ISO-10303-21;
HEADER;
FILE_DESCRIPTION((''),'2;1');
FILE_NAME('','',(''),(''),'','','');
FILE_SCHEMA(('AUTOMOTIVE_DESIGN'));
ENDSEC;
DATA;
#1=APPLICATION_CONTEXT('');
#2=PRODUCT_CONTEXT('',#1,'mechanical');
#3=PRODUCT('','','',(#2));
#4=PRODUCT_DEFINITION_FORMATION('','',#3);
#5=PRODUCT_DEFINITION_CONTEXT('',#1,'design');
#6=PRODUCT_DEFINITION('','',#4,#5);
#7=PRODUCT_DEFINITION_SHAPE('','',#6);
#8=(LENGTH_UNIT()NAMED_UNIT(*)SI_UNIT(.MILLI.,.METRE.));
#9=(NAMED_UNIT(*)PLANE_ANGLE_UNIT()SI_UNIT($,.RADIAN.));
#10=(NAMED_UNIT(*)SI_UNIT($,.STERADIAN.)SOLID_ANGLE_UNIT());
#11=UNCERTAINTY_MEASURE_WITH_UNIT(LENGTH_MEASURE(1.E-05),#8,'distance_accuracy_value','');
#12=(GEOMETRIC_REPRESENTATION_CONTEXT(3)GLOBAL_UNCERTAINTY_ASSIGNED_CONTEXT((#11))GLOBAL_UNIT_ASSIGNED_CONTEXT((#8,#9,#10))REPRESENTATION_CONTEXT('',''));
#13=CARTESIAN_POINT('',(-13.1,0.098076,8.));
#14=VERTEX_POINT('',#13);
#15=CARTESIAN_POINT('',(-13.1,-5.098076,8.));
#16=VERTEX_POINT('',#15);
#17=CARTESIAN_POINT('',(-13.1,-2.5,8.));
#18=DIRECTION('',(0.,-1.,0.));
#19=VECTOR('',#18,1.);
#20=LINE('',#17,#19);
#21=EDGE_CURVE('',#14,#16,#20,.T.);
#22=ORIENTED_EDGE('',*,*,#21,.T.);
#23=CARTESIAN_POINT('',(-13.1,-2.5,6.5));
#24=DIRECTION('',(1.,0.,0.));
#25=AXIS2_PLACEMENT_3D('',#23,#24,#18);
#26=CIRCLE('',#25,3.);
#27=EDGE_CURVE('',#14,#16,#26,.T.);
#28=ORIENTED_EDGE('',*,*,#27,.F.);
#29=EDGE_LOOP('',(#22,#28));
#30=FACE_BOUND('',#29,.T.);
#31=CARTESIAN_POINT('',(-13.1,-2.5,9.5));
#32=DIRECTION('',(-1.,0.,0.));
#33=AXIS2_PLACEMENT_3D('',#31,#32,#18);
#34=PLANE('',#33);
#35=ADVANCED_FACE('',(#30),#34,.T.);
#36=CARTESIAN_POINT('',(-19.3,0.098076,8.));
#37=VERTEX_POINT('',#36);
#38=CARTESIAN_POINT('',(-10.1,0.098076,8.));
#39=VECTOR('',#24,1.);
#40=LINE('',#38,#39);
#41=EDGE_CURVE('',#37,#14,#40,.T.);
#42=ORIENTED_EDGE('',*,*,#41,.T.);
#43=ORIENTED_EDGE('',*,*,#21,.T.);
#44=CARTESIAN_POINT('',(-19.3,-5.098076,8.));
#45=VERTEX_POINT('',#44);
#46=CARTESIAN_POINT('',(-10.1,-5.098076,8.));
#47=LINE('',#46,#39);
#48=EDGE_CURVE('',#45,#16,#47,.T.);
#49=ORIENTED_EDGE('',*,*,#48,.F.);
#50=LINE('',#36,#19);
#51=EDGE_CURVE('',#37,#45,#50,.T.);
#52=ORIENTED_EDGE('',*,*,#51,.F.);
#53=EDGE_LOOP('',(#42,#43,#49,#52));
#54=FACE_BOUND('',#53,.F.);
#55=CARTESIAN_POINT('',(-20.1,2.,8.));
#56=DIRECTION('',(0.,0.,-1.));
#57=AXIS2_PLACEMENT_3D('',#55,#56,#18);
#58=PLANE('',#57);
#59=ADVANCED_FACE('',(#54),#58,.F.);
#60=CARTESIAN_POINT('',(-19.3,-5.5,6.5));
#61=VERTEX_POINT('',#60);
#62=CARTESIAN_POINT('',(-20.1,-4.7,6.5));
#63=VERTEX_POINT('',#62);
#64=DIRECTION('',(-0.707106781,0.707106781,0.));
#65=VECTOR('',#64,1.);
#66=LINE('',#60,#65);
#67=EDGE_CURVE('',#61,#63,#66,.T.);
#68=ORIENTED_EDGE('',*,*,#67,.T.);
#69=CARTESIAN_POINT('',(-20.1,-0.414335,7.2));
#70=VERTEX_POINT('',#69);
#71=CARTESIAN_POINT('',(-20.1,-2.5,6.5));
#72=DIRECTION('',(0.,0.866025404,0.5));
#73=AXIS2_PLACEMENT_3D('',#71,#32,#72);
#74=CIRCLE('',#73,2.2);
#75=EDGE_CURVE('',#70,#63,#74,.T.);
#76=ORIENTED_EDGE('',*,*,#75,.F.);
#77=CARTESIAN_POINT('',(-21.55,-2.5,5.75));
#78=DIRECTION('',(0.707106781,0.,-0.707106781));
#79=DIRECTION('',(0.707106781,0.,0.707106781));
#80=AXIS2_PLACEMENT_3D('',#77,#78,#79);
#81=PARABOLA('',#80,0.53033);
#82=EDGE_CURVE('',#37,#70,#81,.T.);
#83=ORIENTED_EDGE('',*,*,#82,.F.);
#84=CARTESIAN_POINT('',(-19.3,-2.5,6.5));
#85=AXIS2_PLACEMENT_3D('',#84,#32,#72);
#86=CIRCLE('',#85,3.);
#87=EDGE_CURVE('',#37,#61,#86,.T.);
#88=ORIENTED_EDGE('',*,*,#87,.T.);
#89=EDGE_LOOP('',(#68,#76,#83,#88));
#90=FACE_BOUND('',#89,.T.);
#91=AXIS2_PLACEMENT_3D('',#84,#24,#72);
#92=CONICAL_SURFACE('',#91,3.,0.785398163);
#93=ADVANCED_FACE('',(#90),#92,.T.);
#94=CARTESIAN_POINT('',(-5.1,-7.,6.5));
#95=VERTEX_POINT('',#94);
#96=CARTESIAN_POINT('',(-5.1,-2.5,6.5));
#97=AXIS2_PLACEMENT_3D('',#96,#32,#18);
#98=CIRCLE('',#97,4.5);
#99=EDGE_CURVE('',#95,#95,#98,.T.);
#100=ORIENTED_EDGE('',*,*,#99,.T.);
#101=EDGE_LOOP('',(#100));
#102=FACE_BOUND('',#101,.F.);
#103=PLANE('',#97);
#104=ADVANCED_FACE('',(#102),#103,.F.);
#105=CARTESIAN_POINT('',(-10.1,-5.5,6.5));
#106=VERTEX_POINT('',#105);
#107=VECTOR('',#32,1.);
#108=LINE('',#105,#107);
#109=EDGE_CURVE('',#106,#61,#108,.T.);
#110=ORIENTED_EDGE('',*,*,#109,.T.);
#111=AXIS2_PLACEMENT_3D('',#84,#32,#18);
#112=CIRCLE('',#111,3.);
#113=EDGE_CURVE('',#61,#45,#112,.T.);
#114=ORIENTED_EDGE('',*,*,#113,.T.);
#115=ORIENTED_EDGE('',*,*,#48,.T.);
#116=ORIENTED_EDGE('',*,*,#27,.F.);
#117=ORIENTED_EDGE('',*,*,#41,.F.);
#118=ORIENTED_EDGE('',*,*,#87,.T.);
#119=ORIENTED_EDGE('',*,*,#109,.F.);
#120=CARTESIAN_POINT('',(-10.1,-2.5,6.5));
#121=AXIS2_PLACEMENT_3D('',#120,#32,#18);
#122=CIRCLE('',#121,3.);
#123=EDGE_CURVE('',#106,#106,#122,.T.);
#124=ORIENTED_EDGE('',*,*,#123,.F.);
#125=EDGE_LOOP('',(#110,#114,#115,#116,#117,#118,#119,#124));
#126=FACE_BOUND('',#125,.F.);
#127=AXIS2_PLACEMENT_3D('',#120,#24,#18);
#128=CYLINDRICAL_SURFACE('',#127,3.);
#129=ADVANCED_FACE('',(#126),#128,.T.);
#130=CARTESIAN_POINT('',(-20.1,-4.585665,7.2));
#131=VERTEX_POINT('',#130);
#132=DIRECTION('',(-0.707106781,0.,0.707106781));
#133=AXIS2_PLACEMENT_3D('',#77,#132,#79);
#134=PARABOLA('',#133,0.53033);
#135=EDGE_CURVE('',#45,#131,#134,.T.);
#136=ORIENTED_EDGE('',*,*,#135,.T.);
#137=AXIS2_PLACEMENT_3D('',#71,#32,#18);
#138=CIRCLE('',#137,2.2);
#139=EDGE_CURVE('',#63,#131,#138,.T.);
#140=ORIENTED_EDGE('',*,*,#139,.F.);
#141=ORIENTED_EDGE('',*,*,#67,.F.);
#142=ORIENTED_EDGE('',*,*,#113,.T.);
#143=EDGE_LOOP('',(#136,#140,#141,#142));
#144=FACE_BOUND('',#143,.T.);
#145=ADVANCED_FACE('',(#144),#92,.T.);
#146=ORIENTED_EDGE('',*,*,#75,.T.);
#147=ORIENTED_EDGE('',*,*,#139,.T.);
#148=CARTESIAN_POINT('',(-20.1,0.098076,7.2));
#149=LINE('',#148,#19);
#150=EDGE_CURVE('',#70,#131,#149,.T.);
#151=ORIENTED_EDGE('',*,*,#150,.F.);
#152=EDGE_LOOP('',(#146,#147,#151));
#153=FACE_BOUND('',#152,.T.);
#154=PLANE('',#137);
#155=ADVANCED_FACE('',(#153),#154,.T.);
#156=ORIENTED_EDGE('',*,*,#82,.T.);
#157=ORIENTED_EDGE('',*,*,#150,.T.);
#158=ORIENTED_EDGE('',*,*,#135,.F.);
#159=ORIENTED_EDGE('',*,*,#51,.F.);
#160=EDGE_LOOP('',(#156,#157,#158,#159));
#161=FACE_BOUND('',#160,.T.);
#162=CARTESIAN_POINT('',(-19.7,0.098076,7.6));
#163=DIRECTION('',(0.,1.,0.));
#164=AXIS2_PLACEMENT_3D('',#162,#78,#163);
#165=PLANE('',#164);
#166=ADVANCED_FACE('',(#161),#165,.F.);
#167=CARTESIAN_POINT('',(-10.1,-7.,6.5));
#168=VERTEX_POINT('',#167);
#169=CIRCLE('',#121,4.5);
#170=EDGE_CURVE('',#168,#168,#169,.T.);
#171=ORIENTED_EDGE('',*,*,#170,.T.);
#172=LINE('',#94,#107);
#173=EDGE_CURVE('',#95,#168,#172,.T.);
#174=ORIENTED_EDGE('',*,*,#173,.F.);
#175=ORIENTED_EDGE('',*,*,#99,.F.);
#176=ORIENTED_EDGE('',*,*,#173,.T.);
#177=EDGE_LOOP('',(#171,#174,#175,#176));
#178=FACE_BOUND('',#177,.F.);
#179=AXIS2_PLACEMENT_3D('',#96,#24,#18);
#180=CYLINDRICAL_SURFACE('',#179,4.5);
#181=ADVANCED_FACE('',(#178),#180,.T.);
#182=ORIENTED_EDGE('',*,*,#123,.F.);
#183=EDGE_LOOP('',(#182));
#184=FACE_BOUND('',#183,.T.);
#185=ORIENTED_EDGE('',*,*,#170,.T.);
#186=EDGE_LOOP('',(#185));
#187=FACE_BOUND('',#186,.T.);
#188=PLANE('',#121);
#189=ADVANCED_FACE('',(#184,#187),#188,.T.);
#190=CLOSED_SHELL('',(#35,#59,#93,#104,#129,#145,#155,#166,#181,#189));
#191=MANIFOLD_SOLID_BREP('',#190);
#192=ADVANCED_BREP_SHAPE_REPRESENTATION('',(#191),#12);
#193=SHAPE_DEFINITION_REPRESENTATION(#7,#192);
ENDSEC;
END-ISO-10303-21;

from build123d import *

# Parameters (mm, degrees)
SKETCH001_R  = 4.5
PAD001_DEPTH = 5
SKETCH002_R  = 3
PAD002_DEPTH = 10
SKETCH003_W  = 9
SKETCH003_H  = 3
POCKET_DEPTH = 7
CHAMFER_SIZE = 0.8


with BuildPart() as part:
    # Sketch001 (on Face1 of ShapeBinder) → Pad001 (new body)
    with BuildSketch(Plane(origin=(-5.1, 0, 0), x_dir=(0, -1, 0), z_dir=(-1, 0, 0))):
        with Locations((2.5, 6.5)):
            Circle(SKETCH001_R)
    extrude(amount=PAD001_DEPTH)

    # Sketch002 (on Face3 of Pad001) → Pad002 (join)
    with BuildSketch(Plane(origin=(-10.1, 0, 0), x_dir=(0, -1, 0), z_dir=(-1, 0, 0))):
        with Locations((2.5, 6.5)):
            Circle(SKETCH002_R)
    extrude(amount=PAD002_DEPTH)

    # Sketch003 (on Face5 of Pad002) → Pocket (cut)
    with BuildSketch(Plane(origin=(-20.1, 0, 0), x_dir=(0, -1, 0), z_dir=(-1, 0, 0))):
        with Locations((2.5, 9.5)):
            Rectangle(SKETCH003_W, SKETCH003_H)
    extrude(amount=-POCKET_DEPTH, mode=Mode.SUBTRACT)

    # Chamfer
    chamfer_edges = [part.edges().sort_by_distance(p)[0] for p in [
        (-20.1, -5.397777, 7.276457),
        (-20.1, -2.5, 8),
        (-20.1, -1.723543, 3.602223),
    ]]
    chamfer(chamfer_edges, length=CHAMFER_SIZE)


solid = part.part
